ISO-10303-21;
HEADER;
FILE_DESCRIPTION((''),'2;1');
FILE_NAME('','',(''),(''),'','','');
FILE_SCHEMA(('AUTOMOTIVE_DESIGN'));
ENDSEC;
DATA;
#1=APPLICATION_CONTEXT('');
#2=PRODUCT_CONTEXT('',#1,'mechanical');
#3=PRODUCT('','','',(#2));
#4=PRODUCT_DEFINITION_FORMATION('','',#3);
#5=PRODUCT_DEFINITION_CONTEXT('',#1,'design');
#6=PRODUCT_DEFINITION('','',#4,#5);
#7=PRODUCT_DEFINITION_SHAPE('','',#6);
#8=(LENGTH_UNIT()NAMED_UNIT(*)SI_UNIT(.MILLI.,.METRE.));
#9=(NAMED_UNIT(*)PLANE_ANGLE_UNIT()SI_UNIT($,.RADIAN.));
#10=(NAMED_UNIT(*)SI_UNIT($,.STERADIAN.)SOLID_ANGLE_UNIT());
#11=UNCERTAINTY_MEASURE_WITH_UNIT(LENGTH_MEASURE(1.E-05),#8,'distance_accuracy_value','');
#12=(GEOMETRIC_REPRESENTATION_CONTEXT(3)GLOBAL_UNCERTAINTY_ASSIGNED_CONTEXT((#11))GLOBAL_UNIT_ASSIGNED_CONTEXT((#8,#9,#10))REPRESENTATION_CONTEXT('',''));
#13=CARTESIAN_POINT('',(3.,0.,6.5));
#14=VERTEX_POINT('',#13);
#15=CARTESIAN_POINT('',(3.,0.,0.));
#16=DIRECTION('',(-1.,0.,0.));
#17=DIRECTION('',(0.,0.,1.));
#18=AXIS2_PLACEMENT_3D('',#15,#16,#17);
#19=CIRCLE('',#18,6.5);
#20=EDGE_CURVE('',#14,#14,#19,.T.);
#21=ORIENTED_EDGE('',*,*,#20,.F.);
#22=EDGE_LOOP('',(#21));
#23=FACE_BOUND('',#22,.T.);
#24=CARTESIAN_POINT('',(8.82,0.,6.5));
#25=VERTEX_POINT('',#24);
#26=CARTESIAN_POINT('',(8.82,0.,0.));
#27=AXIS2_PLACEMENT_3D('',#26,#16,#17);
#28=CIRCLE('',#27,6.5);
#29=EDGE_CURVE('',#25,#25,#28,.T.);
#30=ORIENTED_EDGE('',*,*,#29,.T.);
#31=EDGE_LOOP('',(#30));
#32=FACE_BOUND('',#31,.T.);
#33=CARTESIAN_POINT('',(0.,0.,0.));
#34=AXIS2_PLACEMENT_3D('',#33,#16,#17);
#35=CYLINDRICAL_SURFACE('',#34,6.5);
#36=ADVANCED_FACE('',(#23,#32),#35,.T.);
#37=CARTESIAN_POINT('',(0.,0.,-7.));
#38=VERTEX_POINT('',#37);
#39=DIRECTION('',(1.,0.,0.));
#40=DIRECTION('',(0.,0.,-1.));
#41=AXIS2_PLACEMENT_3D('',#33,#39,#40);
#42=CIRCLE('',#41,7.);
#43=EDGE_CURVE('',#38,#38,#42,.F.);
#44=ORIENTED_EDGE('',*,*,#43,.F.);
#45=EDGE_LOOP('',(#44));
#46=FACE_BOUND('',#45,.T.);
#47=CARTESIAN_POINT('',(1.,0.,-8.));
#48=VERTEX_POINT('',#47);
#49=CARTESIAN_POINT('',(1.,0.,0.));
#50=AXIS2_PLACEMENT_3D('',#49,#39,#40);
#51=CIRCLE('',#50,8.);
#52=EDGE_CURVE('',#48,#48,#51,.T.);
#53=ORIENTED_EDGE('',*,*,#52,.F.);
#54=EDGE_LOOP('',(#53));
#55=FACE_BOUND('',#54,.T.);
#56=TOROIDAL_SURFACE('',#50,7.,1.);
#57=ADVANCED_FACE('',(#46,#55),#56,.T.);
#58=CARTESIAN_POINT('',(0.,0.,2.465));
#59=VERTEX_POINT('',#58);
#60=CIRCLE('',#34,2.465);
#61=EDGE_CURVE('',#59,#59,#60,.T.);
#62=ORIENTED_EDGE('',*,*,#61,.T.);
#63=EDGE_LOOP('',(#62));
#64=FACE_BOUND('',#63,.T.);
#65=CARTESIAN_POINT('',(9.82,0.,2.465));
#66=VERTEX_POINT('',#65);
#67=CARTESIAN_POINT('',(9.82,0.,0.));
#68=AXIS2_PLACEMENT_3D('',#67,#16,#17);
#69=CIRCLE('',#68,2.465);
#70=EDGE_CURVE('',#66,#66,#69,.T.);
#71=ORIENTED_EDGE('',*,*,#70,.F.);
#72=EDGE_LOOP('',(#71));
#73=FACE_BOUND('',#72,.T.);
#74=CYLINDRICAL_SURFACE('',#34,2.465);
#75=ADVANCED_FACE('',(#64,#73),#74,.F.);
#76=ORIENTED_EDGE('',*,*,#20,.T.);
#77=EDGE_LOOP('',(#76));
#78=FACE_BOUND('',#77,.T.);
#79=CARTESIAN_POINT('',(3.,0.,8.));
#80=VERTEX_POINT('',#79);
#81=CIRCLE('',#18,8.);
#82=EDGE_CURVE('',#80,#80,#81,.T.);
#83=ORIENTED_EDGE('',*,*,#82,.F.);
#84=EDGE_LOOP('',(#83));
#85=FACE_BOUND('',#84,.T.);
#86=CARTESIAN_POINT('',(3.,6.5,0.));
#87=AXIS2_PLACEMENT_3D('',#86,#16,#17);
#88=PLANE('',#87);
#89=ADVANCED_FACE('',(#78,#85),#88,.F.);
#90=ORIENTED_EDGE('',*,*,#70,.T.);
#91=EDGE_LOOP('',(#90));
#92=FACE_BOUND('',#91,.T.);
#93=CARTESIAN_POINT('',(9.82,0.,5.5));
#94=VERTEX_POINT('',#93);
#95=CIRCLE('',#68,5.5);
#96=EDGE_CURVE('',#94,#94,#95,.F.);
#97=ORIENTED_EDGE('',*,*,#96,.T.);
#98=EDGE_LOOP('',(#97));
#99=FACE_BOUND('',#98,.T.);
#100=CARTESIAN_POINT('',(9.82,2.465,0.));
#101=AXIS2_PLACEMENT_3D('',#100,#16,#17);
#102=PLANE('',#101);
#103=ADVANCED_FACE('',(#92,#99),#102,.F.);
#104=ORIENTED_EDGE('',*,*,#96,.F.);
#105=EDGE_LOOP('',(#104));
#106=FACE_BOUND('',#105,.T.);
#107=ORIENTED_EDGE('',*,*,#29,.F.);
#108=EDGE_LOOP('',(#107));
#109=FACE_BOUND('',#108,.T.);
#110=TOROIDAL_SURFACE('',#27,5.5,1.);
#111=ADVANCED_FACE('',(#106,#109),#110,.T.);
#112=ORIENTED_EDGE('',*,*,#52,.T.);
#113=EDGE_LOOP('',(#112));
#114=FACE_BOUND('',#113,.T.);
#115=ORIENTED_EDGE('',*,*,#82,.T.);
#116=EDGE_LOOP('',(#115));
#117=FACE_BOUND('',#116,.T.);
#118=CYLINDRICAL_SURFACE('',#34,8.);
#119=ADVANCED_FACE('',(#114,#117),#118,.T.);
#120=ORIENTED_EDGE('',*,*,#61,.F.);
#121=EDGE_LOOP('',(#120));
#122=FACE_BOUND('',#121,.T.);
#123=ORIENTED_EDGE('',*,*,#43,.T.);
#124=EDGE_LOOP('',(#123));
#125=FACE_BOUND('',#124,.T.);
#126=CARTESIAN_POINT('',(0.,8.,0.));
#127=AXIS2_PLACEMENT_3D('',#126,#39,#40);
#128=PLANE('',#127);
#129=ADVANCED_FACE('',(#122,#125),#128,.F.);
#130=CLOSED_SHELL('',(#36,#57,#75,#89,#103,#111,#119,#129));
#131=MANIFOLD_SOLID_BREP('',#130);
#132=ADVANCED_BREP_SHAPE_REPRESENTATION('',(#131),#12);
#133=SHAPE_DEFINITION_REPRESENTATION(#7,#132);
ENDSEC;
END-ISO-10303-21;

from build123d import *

# Parameters (mm, degrees)
REDONDEO1_R = 1


with BuildPart() as part:
    # Croquis1 → Revolución1 (revolve)
    with BuildSketch(Plane.XY, mode=Mode.PRIVATE) as revoluci_n1_sk:
        Polygon((0, 2.465), (9.82, 2.465), (9.82, 6.5), (3, 6.5), (3, 8), (0, 8), align=None)
    revolve(revoluci_n1_sk.sketch.rotate(Axis((0, 0, 0), (1, 0, 0)), 90), axis=Axis((0, 0, 0), (1, 0, 0)))

    # Redondeo1
    redondeo1_edges = [part.edges().sort_by_distance(p)[0] for p in [
        (0, 0, -8),
        (9.82, 0, -6.5),
    ]]
    fillet(redondeo1_edges, radius=REDONDEO1_R)


solid = part.part
